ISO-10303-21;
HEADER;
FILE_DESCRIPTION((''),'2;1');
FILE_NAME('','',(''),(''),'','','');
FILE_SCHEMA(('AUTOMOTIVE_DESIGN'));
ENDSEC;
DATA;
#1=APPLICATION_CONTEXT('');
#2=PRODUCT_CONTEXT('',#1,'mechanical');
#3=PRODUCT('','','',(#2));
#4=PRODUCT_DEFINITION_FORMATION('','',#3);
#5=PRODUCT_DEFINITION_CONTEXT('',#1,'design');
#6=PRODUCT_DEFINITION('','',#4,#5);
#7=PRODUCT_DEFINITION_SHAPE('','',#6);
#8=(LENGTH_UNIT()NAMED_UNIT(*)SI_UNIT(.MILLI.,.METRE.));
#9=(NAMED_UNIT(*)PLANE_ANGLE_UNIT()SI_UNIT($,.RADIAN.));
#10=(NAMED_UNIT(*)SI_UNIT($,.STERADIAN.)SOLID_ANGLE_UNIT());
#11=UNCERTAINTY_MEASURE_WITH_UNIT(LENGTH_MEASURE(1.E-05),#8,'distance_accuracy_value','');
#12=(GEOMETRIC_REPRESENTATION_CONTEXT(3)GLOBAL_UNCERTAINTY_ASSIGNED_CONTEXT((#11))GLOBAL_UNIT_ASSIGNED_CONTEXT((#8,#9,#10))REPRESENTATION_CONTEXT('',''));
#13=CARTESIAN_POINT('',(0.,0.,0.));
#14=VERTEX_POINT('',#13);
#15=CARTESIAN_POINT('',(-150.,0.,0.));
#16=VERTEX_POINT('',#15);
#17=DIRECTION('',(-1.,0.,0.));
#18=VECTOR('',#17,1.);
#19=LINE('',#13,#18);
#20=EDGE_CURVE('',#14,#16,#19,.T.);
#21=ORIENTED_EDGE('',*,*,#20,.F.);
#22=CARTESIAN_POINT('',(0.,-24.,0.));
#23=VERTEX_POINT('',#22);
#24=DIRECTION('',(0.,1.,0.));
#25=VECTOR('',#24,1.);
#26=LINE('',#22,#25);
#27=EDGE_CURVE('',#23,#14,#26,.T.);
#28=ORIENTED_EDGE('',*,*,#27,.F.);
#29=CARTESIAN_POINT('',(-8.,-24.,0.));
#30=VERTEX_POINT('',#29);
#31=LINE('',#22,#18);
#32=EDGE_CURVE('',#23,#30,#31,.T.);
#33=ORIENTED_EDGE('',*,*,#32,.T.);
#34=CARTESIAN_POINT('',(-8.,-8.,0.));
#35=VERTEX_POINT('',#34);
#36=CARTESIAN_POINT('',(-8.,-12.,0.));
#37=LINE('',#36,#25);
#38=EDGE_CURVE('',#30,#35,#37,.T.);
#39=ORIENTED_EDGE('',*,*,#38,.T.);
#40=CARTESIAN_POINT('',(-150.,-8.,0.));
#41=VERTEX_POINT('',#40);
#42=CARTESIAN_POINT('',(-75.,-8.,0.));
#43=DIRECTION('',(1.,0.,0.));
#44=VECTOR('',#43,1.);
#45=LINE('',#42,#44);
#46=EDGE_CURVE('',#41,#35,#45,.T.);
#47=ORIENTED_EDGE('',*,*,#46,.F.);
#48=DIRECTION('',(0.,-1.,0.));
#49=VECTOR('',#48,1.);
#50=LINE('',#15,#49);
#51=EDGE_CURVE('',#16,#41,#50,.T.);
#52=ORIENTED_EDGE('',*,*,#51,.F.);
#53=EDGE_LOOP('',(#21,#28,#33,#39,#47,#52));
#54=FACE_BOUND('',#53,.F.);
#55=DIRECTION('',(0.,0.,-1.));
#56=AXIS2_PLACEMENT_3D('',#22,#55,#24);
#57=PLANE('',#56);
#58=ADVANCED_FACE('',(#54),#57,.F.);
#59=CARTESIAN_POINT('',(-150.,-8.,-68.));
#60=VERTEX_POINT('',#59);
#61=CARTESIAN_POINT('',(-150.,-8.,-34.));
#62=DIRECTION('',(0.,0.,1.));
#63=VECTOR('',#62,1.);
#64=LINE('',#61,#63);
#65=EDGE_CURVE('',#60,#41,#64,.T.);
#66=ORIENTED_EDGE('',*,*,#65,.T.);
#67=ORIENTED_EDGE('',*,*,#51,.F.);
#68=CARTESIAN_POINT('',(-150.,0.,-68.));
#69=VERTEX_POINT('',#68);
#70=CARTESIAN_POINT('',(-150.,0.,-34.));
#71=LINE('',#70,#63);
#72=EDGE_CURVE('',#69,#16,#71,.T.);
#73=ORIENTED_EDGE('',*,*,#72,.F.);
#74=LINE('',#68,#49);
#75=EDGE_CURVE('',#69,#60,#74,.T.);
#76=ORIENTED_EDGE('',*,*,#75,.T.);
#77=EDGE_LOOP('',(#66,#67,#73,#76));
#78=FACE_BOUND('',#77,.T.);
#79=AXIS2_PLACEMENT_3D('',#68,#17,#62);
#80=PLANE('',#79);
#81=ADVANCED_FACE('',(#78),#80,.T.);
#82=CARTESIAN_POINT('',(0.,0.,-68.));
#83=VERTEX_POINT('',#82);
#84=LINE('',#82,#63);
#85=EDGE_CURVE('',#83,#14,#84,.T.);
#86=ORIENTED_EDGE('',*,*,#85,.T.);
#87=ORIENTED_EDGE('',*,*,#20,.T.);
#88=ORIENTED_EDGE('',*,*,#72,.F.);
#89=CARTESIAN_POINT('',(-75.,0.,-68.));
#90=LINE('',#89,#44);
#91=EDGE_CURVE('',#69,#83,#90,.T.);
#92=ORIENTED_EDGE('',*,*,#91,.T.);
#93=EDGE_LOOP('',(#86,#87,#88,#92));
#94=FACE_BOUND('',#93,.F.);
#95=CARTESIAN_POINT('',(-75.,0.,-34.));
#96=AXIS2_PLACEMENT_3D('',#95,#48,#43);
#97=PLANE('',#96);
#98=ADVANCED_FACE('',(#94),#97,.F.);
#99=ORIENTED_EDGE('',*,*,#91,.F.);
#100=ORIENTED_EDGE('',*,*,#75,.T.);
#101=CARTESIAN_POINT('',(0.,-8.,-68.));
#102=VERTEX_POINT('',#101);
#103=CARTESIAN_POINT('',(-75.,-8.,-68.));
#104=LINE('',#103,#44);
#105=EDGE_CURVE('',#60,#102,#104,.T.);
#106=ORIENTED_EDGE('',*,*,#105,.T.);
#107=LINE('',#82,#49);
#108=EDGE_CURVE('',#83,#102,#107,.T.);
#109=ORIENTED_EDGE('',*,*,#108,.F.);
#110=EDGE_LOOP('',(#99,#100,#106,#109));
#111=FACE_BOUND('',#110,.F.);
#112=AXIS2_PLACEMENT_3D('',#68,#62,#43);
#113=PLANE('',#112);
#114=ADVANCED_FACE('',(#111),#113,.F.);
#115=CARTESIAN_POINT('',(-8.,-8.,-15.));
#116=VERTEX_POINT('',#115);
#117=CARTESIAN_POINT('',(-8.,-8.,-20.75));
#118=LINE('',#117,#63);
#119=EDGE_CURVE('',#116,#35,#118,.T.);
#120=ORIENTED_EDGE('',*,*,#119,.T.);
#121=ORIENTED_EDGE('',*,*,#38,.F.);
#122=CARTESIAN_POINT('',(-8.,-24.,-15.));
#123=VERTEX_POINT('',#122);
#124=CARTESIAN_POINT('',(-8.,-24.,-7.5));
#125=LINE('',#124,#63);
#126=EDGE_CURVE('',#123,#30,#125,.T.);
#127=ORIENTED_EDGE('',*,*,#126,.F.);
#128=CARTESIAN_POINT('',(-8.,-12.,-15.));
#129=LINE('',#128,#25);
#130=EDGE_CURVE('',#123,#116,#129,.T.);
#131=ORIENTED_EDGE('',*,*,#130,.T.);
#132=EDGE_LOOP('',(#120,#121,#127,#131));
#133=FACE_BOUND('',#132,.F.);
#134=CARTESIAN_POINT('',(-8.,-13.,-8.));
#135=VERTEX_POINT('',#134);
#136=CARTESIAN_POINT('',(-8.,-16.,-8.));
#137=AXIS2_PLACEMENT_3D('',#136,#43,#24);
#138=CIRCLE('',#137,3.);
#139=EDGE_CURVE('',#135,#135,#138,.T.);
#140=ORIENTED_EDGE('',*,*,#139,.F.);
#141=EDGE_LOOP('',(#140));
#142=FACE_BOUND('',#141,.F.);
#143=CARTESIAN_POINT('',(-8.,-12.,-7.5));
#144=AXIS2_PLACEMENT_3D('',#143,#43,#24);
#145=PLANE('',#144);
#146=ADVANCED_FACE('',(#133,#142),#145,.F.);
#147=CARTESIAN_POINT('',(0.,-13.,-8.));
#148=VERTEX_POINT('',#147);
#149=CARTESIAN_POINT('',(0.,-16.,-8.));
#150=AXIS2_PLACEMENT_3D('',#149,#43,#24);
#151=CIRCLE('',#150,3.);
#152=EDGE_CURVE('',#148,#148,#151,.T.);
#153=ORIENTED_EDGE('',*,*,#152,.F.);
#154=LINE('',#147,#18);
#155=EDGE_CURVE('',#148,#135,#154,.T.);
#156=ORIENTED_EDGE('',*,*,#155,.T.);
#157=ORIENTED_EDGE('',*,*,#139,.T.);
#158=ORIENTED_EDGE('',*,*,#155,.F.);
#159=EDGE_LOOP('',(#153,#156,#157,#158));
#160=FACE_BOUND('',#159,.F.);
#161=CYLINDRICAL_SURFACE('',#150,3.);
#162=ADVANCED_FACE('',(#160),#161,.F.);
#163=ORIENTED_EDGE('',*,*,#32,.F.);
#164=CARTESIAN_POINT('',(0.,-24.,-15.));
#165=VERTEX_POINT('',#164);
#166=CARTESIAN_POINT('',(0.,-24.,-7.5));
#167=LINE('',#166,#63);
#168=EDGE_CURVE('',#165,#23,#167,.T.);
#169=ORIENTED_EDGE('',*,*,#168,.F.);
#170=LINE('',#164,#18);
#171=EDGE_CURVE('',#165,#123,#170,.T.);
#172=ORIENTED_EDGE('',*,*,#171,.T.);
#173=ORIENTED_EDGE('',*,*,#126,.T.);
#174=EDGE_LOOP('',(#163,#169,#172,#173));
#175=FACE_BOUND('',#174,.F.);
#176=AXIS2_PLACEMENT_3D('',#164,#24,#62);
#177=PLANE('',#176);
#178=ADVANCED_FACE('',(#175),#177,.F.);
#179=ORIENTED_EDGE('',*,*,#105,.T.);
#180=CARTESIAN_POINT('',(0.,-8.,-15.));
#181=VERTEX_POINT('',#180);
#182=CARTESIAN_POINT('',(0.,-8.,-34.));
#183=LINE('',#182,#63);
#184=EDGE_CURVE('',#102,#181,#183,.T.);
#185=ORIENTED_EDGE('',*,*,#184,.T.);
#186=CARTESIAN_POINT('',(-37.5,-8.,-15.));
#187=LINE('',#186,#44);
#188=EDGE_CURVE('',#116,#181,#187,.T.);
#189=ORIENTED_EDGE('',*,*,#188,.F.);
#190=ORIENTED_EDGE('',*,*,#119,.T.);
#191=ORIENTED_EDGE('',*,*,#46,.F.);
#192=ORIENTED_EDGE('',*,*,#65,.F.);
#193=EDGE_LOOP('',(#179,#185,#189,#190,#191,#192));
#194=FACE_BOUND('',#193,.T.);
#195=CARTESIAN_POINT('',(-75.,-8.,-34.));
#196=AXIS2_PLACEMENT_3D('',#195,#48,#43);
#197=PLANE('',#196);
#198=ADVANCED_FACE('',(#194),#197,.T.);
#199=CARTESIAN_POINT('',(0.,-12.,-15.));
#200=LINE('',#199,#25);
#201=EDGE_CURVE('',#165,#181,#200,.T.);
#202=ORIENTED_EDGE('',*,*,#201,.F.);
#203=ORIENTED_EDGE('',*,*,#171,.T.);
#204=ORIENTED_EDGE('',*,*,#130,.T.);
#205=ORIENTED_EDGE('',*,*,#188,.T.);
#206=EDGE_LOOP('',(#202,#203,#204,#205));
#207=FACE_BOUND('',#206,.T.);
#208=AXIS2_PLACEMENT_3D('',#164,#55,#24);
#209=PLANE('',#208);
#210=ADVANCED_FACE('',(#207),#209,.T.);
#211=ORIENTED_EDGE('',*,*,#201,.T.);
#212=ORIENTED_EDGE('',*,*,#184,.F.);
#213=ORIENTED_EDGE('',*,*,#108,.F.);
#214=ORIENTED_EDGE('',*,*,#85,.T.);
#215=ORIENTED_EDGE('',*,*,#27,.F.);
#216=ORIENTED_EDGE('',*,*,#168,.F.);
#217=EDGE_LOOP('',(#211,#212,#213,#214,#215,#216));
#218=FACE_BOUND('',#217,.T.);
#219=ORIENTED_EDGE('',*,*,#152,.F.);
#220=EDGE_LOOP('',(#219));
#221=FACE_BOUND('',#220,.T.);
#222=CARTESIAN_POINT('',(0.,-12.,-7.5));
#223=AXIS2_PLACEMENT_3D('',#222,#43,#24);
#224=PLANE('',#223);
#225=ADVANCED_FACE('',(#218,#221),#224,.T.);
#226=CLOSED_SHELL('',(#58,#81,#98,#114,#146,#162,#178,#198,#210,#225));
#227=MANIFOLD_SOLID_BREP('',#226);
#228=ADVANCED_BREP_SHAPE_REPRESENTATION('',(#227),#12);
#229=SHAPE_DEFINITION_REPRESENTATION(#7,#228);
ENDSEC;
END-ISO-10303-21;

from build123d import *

# Parameters (mm, degrees)
F0_W     = 150
F0_H     = 68
F1_DEPTH = 8
F2_W     = 24
F2_H     = 15
F2_R     = 3
F3_DEPTH = 8


with BuildPart() as f1:
    # F0 (on Front) → F1 (new body)
    with BuildSketch(Plane.XZ):
        with Locations((-75, -34)):
            Rectangle(F0_W, F0_H)
    extrude(amount=F1_DEPTH)

    # F2 (on face) → F3 (join)
    with BuildSketch(Plane.YZ):
        with Locations((-12, -7.5)):
            Rectangle(F2_W, F2_H)
        with Locations((-16, -8)):
            Circle(F2_R, mode=Mode.SUBTRACT)
    extrude(amount=-F3_DEPTH)


solid = f1.part
